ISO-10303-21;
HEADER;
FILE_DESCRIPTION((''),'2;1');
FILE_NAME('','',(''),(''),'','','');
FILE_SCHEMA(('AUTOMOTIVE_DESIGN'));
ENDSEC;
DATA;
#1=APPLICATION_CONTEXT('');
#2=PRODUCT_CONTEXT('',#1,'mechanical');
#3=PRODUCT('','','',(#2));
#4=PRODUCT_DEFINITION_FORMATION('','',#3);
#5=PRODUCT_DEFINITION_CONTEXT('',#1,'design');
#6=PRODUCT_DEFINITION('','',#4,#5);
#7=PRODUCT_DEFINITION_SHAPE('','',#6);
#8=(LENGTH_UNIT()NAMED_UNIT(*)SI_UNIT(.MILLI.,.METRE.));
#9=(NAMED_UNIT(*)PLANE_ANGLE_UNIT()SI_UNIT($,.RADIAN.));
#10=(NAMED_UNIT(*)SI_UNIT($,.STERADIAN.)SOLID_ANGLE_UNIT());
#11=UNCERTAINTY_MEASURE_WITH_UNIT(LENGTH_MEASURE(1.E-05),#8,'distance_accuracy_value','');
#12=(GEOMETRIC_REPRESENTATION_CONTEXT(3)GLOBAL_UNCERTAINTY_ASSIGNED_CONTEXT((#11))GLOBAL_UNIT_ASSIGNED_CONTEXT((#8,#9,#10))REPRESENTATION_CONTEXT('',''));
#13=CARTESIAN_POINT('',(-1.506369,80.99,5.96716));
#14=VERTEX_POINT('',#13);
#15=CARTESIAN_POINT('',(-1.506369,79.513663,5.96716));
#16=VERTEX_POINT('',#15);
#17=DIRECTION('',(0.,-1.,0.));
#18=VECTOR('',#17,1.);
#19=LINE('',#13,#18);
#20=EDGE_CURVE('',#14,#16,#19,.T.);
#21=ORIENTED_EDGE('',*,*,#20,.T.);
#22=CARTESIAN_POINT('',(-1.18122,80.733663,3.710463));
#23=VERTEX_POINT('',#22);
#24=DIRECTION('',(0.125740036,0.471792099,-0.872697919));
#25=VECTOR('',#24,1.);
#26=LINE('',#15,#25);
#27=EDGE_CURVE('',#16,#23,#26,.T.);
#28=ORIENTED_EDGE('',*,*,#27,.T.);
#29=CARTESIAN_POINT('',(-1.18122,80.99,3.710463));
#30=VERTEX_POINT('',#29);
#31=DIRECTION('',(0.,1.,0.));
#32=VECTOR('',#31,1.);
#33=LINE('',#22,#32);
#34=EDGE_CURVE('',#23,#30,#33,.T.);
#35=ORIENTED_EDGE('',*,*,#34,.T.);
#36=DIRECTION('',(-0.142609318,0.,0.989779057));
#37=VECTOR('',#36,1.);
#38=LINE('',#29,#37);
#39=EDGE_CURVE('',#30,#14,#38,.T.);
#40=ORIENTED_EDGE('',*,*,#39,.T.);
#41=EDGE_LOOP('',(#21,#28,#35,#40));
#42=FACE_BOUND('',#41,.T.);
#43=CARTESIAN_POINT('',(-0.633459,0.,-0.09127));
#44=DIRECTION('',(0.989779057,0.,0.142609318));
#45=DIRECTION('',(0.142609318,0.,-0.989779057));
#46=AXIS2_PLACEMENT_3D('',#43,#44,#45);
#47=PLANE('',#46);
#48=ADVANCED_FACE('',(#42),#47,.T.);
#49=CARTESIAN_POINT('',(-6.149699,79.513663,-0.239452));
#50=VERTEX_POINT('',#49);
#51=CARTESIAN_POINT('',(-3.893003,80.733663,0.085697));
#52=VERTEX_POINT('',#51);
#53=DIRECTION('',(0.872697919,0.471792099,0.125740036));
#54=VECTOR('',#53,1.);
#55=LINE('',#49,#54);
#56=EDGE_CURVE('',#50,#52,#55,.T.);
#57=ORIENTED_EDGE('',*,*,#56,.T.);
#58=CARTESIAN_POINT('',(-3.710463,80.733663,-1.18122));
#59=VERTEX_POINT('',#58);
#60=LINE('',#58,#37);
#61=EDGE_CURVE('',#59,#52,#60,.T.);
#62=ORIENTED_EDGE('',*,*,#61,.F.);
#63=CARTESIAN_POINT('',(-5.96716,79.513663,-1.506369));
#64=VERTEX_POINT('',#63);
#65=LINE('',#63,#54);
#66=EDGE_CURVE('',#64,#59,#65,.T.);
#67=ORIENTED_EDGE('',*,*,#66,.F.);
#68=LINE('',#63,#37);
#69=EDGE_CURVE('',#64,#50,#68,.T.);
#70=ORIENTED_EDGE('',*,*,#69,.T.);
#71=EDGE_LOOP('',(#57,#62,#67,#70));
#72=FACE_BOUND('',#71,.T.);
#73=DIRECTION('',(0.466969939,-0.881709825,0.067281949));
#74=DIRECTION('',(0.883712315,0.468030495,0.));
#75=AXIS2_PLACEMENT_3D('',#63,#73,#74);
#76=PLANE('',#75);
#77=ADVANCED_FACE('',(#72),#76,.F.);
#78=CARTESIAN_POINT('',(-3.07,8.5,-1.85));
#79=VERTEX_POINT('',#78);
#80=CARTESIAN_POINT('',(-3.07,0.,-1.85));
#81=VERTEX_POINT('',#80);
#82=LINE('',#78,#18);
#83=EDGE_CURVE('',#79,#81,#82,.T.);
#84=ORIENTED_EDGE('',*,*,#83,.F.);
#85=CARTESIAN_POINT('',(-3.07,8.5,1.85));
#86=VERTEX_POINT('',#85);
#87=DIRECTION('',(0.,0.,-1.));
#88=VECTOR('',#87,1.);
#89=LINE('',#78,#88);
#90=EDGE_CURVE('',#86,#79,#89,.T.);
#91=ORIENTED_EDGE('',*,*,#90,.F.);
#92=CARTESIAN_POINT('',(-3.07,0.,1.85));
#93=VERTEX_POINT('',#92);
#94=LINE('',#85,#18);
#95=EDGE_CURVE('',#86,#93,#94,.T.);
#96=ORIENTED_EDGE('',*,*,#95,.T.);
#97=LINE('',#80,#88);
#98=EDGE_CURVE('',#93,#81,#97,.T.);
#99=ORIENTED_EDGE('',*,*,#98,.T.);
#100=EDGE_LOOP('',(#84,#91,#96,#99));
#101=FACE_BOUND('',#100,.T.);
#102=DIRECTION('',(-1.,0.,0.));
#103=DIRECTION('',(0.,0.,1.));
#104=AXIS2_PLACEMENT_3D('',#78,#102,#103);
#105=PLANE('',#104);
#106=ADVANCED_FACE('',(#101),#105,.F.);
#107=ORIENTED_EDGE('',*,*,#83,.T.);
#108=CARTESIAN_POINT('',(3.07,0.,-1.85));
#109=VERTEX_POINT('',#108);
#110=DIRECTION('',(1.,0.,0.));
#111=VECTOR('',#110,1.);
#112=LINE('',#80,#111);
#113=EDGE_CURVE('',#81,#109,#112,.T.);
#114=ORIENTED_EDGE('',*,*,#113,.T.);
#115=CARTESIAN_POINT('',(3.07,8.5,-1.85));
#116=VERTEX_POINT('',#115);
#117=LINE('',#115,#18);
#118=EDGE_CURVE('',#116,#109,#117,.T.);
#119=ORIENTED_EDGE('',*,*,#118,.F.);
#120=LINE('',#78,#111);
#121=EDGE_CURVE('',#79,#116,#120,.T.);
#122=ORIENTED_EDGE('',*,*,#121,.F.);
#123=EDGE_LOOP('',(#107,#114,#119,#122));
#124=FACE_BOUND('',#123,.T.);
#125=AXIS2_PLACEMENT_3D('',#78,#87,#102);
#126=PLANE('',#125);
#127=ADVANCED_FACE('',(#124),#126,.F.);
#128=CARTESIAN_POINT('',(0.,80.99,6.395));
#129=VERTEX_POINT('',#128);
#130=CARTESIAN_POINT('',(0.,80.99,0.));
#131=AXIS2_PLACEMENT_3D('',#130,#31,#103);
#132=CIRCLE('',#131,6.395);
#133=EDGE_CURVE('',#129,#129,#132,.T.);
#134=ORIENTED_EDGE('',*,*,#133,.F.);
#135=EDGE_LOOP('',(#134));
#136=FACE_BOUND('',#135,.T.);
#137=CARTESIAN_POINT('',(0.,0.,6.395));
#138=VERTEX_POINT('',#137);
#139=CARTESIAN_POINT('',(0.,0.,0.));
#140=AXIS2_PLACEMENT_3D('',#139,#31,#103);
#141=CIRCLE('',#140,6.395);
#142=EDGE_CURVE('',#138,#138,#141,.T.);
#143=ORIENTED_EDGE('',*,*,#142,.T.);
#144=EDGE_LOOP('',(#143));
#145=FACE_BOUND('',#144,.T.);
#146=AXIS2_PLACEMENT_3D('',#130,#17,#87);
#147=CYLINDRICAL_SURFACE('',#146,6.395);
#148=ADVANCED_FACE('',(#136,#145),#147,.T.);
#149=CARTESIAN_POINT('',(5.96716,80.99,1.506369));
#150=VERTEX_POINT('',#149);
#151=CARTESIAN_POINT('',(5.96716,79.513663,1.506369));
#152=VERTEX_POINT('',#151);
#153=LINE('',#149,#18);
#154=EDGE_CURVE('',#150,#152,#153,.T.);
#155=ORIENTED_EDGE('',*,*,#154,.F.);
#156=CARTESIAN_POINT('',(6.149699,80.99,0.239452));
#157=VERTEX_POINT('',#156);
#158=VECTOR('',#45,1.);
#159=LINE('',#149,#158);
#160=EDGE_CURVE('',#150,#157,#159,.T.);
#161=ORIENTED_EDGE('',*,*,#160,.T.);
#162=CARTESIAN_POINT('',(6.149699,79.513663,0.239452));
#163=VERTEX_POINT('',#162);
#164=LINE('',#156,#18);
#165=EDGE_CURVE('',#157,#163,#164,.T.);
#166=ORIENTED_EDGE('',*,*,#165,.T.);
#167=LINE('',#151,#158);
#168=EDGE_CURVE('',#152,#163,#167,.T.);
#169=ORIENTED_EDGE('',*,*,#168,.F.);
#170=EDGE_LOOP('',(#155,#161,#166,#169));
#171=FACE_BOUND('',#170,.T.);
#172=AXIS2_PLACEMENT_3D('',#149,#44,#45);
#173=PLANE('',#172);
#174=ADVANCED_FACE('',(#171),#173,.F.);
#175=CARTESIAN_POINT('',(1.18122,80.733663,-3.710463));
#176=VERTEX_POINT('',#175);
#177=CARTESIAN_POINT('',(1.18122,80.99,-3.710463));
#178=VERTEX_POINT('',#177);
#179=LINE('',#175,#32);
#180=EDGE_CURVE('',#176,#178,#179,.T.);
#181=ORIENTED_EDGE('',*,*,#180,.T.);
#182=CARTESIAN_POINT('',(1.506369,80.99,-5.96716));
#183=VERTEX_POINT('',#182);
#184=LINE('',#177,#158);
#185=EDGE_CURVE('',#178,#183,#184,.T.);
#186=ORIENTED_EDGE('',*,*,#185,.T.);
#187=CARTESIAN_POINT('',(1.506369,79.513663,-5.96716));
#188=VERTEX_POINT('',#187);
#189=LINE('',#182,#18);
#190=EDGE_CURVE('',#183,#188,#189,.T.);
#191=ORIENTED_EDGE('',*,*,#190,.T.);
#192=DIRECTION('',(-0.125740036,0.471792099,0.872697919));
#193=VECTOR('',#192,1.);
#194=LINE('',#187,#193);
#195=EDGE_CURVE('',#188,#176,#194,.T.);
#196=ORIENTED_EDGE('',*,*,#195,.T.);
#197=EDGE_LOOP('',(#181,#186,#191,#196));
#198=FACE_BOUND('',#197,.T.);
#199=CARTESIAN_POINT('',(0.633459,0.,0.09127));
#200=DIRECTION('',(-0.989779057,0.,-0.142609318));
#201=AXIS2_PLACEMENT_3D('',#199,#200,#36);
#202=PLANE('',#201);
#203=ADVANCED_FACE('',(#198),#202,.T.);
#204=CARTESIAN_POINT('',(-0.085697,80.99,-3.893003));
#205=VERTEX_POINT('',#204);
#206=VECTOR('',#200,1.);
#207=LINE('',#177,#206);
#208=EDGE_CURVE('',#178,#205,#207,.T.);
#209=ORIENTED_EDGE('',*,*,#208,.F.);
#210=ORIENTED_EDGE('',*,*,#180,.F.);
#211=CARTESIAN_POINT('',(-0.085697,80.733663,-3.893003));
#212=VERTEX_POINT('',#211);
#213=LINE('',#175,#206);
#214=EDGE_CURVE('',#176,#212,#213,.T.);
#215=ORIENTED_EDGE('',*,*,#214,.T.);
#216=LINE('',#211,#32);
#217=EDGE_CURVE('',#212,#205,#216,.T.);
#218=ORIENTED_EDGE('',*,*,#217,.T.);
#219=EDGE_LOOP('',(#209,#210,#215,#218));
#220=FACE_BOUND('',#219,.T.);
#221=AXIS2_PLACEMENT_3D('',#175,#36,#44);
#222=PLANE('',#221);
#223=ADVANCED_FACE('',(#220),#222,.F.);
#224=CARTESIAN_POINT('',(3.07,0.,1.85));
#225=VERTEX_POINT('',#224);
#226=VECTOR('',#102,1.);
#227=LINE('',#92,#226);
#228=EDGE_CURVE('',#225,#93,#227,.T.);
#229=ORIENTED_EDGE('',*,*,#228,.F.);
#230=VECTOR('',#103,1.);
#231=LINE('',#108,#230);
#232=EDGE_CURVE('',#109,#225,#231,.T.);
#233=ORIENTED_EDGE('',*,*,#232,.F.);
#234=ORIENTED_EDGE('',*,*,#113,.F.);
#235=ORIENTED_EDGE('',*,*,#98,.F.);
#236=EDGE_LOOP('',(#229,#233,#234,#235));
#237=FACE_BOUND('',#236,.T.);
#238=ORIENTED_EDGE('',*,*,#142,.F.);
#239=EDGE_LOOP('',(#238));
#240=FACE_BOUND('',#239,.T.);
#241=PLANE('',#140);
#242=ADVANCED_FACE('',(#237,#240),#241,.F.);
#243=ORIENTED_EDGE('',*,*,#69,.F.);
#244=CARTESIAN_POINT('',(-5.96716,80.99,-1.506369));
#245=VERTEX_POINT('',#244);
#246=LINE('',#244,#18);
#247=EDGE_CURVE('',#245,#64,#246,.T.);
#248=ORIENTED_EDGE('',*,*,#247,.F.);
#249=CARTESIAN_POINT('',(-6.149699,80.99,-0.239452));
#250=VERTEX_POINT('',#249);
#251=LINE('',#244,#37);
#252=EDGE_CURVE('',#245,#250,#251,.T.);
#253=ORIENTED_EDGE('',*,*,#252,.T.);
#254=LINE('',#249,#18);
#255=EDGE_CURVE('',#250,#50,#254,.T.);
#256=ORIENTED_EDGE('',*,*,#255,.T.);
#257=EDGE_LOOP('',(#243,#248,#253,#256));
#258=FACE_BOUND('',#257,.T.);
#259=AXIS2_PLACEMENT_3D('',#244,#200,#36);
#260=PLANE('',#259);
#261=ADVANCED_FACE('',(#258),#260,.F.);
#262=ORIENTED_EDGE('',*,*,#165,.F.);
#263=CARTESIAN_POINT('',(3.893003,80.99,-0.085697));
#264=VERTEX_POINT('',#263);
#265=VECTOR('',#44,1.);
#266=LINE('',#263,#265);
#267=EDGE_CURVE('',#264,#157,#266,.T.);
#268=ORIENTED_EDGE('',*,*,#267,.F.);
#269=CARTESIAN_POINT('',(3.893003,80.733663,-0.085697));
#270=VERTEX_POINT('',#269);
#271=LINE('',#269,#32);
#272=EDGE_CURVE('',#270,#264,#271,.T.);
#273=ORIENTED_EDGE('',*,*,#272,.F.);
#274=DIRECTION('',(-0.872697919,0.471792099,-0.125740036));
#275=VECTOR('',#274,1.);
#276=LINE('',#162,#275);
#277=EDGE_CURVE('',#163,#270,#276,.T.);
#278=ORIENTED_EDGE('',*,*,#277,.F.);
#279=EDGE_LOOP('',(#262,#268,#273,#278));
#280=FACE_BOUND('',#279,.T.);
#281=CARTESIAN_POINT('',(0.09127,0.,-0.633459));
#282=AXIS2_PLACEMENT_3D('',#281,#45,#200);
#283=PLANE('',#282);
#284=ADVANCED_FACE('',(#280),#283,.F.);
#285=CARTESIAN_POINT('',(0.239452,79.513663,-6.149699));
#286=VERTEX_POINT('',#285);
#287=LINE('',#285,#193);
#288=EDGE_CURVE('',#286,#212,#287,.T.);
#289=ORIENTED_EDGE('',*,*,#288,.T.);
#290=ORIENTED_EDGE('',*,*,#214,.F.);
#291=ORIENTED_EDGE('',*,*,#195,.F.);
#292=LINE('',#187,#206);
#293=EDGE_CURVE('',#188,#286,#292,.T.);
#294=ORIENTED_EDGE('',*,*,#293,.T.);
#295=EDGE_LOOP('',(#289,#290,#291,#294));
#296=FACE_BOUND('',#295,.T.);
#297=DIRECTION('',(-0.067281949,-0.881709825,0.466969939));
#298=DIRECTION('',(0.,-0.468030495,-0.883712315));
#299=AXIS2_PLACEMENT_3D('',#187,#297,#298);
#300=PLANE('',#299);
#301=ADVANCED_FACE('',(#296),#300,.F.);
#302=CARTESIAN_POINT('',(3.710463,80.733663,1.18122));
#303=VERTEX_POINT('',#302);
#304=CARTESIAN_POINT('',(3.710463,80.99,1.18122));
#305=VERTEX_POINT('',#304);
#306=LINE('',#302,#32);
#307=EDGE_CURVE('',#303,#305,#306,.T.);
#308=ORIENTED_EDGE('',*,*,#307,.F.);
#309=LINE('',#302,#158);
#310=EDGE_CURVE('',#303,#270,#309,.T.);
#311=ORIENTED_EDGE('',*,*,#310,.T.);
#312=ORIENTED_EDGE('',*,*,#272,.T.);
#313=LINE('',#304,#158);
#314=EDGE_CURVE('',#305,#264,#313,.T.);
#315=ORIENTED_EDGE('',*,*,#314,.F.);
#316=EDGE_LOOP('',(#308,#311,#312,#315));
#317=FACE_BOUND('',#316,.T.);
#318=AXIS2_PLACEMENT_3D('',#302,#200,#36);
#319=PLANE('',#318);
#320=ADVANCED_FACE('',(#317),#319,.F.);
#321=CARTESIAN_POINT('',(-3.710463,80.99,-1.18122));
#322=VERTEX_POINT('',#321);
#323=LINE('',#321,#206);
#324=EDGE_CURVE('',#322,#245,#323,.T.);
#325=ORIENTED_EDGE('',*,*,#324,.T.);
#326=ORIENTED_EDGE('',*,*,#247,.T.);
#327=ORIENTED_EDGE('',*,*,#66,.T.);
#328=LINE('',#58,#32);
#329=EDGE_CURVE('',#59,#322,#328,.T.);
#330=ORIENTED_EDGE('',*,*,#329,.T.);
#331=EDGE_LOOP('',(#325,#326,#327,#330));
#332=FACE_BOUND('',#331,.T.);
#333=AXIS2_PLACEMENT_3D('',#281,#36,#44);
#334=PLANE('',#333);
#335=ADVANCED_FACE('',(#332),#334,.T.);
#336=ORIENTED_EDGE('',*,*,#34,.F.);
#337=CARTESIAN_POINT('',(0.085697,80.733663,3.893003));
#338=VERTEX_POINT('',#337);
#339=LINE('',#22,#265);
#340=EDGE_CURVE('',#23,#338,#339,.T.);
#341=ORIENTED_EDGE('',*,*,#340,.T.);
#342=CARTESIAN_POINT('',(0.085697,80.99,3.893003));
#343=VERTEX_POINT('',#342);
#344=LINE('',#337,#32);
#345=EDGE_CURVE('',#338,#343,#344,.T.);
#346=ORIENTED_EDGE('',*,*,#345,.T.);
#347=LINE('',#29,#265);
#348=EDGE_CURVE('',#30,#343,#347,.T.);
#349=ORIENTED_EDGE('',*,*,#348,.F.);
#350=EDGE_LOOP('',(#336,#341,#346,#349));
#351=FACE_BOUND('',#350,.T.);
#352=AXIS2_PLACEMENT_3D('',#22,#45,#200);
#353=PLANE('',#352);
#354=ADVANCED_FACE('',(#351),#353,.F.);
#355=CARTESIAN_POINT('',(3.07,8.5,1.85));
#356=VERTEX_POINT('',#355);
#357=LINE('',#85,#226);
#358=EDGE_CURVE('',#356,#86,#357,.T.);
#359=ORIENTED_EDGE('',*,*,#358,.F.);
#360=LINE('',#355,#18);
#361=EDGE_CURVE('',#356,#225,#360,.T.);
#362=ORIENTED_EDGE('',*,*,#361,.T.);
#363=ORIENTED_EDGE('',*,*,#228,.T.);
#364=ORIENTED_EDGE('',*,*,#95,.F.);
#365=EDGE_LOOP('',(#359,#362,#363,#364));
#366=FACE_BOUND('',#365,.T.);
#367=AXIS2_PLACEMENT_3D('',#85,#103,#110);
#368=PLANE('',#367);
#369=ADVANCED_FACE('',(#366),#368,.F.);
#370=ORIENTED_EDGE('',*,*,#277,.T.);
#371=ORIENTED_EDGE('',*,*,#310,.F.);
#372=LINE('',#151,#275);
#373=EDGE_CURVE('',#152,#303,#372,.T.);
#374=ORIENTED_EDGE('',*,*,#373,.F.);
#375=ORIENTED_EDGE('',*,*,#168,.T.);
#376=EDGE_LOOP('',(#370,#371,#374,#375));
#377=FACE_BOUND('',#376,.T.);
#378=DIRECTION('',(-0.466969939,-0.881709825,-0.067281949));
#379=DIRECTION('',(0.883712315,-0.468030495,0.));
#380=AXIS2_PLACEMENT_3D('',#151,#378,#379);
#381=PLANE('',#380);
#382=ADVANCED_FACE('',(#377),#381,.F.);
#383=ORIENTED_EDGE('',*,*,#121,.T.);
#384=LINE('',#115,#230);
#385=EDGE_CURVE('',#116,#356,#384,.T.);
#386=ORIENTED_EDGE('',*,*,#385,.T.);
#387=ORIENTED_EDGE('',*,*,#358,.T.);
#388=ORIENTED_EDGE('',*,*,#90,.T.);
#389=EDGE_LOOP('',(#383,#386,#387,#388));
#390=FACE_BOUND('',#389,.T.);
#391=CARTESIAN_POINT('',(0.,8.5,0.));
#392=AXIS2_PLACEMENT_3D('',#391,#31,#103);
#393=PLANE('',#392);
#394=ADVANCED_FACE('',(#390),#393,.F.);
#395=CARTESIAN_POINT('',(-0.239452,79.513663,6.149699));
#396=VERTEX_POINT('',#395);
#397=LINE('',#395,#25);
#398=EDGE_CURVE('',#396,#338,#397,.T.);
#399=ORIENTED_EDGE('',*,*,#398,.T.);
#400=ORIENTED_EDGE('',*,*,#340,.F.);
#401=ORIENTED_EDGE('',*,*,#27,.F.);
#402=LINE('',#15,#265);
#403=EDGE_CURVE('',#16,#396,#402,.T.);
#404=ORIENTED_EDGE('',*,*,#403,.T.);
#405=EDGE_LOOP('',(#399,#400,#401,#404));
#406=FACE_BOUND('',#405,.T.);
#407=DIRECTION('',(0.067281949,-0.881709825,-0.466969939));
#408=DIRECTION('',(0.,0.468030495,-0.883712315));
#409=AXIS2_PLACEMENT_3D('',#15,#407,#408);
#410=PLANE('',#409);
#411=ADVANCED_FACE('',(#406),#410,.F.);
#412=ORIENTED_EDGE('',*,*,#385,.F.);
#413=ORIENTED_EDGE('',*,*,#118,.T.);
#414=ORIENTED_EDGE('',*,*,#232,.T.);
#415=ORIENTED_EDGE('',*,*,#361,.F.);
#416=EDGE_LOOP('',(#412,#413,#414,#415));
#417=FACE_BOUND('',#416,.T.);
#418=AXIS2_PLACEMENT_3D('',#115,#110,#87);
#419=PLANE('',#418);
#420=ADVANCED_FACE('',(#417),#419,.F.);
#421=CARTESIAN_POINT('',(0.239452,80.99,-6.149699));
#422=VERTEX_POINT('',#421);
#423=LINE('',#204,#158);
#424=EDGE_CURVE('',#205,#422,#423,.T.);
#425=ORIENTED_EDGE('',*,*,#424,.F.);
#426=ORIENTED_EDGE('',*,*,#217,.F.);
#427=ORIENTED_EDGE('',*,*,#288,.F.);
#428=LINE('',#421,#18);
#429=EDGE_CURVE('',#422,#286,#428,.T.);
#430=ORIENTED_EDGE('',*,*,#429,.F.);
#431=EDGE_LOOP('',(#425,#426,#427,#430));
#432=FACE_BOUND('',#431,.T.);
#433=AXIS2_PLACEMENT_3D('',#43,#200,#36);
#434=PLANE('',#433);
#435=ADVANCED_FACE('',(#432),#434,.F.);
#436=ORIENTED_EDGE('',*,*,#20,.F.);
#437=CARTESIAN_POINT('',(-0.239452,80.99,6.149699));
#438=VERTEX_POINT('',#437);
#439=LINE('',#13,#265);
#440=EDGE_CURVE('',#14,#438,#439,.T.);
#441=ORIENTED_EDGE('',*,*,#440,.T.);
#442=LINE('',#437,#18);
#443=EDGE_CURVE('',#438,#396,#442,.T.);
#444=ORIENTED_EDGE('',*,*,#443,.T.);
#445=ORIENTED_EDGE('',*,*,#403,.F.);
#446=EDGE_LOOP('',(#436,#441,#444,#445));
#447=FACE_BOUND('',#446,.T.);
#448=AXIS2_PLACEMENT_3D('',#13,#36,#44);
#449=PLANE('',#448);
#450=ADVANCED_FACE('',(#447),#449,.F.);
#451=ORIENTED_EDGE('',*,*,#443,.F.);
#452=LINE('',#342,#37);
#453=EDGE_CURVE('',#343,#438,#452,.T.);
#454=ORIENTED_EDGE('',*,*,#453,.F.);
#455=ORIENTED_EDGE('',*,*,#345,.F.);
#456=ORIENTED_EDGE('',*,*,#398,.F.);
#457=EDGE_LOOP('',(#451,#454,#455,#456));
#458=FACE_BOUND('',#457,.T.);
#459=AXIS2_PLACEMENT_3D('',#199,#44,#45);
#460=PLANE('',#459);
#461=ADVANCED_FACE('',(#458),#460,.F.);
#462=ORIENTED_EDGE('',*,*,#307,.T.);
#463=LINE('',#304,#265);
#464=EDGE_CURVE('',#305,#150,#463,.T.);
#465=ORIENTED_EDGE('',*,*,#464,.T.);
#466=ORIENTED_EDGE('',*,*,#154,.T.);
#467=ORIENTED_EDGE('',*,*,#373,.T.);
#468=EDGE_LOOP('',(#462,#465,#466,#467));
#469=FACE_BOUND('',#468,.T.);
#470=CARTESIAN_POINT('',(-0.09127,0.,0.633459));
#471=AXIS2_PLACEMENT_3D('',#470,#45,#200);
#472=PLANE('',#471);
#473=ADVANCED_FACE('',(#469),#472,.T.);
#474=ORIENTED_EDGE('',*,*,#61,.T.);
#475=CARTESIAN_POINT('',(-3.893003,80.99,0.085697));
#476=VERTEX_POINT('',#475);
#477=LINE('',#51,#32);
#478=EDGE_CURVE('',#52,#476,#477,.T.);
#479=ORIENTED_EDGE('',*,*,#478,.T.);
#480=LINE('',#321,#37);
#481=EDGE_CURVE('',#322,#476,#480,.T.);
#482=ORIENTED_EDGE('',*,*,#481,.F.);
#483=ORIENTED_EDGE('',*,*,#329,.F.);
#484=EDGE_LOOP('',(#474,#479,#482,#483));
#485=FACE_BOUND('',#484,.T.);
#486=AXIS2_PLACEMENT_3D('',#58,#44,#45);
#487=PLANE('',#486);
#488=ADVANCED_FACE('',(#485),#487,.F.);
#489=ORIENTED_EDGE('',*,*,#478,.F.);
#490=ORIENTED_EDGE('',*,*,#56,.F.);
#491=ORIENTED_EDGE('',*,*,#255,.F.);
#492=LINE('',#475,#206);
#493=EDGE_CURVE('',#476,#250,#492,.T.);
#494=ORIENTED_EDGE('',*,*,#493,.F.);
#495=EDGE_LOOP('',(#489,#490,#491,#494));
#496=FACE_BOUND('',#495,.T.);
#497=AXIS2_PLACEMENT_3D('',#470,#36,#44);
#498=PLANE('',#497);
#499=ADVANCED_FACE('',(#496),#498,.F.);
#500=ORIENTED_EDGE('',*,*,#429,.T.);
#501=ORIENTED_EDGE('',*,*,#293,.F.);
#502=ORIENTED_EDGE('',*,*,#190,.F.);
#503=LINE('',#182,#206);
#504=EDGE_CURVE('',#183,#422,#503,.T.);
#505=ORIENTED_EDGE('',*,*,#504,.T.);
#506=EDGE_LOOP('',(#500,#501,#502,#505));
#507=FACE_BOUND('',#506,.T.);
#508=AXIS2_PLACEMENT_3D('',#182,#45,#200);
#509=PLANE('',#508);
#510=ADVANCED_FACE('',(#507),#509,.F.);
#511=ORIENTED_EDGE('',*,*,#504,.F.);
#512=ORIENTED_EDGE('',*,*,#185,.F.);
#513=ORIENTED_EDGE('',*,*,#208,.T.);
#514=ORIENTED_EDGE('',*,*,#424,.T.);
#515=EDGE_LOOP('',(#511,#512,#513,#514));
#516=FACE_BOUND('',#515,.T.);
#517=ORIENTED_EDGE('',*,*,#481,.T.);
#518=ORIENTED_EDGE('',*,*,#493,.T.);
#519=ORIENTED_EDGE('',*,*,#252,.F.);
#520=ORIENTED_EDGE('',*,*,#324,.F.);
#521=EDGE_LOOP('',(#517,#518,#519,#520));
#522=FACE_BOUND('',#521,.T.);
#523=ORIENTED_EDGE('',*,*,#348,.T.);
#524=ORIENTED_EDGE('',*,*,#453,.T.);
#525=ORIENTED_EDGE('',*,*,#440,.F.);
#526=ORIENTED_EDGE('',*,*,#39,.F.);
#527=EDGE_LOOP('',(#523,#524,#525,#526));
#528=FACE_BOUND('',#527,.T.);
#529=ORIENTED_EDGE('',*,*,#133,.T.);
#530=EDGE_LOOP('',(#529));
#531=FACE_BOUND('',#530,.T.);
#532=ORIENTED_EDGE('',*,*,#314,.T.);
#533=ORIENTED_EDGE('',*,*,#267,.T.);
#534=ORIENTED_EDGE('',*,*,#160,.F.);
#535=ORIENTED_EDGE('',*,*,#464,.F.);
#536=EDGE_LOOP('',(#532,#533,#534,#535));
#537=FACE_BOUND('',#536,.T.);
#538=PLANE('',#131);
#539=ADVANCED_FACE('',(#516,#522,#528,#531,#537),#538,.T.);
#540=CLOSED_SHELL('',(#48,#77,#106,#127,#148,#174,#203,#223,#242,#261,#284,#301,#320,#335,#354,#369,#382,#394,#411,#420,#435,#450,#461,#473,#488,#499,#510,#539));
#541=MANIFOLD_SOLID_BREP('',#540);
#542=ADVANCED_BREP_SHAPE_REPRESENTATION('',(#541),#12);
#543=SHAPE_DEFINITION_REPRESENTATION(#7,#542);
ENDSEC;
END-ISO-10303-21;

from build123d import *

# Parameters (mm, degrees)
SKETCH1_R           = 6.395
BOSS_EXTRUDE1_DEPTH = 80.99
SKETCH3_W           = 6.14
SKETCH3_H           = 3.7
CUT_EXTRUDE2_DEPTH  = 8.5
CUT_EXTRUDE3_DEPTH  = 1.28
CIRPATTERN1_COUNT   = 4


with BuildPart() as part:
    # Sketch1 → Boss-Extrude1 (new body)
    with BuildSketch(Plane(origin=(0, 0, 0), x_dir=(1, 0, 0), z_dir=(0, 1, 0))):
        Circle(SKETCH1_R)
    extrude(amount=BOSS_EXTRUDE1_DEPTH)

    # Sketch3 → Cut-Extrude2 (cut)
    with BuildSketch(Plane.XZ):
        Rectangle(SKETCH3_W, SKETCH3_H)
    extrude(amount=-CUT_EXTRUDE2_DEPTH, mode=Mode.SUBTRACT)

    # Sketch4 → Cut-Extrude3 (cut)
    with BuildSketch(Plane(origin=(-0.091269963, 0, 0.633458597), x_dir=(0.989779057, 0, 0.142609318), z_dir=(-0.142609318, 0, 0.989779057))):
        Polygon((-3.84099181, 80.99), (-6.12099181, 80.99), (-6.12099181, 79.513663006), (-3.84099181, 80.733663006), align=None)
    cut_extrude3 = extrude(amount=-CUT_EXTRUDE3_DEPTH, mode=Mode.SUBTRACT)

    # CirPattern1: Cut-Extrude3 ×4 about axis
    cirpattern1_axis = Axis((0, 0, 0), (0, 1, 0))
    for i in range(1, CIRPATTERN1_COUNT):
        add(cut_extrude3.rotate(cirpattern1_axis, i * 360 / CIRPATTERN1_COUNT), mode=Mode.SUBTRACT)


solid = part.part
